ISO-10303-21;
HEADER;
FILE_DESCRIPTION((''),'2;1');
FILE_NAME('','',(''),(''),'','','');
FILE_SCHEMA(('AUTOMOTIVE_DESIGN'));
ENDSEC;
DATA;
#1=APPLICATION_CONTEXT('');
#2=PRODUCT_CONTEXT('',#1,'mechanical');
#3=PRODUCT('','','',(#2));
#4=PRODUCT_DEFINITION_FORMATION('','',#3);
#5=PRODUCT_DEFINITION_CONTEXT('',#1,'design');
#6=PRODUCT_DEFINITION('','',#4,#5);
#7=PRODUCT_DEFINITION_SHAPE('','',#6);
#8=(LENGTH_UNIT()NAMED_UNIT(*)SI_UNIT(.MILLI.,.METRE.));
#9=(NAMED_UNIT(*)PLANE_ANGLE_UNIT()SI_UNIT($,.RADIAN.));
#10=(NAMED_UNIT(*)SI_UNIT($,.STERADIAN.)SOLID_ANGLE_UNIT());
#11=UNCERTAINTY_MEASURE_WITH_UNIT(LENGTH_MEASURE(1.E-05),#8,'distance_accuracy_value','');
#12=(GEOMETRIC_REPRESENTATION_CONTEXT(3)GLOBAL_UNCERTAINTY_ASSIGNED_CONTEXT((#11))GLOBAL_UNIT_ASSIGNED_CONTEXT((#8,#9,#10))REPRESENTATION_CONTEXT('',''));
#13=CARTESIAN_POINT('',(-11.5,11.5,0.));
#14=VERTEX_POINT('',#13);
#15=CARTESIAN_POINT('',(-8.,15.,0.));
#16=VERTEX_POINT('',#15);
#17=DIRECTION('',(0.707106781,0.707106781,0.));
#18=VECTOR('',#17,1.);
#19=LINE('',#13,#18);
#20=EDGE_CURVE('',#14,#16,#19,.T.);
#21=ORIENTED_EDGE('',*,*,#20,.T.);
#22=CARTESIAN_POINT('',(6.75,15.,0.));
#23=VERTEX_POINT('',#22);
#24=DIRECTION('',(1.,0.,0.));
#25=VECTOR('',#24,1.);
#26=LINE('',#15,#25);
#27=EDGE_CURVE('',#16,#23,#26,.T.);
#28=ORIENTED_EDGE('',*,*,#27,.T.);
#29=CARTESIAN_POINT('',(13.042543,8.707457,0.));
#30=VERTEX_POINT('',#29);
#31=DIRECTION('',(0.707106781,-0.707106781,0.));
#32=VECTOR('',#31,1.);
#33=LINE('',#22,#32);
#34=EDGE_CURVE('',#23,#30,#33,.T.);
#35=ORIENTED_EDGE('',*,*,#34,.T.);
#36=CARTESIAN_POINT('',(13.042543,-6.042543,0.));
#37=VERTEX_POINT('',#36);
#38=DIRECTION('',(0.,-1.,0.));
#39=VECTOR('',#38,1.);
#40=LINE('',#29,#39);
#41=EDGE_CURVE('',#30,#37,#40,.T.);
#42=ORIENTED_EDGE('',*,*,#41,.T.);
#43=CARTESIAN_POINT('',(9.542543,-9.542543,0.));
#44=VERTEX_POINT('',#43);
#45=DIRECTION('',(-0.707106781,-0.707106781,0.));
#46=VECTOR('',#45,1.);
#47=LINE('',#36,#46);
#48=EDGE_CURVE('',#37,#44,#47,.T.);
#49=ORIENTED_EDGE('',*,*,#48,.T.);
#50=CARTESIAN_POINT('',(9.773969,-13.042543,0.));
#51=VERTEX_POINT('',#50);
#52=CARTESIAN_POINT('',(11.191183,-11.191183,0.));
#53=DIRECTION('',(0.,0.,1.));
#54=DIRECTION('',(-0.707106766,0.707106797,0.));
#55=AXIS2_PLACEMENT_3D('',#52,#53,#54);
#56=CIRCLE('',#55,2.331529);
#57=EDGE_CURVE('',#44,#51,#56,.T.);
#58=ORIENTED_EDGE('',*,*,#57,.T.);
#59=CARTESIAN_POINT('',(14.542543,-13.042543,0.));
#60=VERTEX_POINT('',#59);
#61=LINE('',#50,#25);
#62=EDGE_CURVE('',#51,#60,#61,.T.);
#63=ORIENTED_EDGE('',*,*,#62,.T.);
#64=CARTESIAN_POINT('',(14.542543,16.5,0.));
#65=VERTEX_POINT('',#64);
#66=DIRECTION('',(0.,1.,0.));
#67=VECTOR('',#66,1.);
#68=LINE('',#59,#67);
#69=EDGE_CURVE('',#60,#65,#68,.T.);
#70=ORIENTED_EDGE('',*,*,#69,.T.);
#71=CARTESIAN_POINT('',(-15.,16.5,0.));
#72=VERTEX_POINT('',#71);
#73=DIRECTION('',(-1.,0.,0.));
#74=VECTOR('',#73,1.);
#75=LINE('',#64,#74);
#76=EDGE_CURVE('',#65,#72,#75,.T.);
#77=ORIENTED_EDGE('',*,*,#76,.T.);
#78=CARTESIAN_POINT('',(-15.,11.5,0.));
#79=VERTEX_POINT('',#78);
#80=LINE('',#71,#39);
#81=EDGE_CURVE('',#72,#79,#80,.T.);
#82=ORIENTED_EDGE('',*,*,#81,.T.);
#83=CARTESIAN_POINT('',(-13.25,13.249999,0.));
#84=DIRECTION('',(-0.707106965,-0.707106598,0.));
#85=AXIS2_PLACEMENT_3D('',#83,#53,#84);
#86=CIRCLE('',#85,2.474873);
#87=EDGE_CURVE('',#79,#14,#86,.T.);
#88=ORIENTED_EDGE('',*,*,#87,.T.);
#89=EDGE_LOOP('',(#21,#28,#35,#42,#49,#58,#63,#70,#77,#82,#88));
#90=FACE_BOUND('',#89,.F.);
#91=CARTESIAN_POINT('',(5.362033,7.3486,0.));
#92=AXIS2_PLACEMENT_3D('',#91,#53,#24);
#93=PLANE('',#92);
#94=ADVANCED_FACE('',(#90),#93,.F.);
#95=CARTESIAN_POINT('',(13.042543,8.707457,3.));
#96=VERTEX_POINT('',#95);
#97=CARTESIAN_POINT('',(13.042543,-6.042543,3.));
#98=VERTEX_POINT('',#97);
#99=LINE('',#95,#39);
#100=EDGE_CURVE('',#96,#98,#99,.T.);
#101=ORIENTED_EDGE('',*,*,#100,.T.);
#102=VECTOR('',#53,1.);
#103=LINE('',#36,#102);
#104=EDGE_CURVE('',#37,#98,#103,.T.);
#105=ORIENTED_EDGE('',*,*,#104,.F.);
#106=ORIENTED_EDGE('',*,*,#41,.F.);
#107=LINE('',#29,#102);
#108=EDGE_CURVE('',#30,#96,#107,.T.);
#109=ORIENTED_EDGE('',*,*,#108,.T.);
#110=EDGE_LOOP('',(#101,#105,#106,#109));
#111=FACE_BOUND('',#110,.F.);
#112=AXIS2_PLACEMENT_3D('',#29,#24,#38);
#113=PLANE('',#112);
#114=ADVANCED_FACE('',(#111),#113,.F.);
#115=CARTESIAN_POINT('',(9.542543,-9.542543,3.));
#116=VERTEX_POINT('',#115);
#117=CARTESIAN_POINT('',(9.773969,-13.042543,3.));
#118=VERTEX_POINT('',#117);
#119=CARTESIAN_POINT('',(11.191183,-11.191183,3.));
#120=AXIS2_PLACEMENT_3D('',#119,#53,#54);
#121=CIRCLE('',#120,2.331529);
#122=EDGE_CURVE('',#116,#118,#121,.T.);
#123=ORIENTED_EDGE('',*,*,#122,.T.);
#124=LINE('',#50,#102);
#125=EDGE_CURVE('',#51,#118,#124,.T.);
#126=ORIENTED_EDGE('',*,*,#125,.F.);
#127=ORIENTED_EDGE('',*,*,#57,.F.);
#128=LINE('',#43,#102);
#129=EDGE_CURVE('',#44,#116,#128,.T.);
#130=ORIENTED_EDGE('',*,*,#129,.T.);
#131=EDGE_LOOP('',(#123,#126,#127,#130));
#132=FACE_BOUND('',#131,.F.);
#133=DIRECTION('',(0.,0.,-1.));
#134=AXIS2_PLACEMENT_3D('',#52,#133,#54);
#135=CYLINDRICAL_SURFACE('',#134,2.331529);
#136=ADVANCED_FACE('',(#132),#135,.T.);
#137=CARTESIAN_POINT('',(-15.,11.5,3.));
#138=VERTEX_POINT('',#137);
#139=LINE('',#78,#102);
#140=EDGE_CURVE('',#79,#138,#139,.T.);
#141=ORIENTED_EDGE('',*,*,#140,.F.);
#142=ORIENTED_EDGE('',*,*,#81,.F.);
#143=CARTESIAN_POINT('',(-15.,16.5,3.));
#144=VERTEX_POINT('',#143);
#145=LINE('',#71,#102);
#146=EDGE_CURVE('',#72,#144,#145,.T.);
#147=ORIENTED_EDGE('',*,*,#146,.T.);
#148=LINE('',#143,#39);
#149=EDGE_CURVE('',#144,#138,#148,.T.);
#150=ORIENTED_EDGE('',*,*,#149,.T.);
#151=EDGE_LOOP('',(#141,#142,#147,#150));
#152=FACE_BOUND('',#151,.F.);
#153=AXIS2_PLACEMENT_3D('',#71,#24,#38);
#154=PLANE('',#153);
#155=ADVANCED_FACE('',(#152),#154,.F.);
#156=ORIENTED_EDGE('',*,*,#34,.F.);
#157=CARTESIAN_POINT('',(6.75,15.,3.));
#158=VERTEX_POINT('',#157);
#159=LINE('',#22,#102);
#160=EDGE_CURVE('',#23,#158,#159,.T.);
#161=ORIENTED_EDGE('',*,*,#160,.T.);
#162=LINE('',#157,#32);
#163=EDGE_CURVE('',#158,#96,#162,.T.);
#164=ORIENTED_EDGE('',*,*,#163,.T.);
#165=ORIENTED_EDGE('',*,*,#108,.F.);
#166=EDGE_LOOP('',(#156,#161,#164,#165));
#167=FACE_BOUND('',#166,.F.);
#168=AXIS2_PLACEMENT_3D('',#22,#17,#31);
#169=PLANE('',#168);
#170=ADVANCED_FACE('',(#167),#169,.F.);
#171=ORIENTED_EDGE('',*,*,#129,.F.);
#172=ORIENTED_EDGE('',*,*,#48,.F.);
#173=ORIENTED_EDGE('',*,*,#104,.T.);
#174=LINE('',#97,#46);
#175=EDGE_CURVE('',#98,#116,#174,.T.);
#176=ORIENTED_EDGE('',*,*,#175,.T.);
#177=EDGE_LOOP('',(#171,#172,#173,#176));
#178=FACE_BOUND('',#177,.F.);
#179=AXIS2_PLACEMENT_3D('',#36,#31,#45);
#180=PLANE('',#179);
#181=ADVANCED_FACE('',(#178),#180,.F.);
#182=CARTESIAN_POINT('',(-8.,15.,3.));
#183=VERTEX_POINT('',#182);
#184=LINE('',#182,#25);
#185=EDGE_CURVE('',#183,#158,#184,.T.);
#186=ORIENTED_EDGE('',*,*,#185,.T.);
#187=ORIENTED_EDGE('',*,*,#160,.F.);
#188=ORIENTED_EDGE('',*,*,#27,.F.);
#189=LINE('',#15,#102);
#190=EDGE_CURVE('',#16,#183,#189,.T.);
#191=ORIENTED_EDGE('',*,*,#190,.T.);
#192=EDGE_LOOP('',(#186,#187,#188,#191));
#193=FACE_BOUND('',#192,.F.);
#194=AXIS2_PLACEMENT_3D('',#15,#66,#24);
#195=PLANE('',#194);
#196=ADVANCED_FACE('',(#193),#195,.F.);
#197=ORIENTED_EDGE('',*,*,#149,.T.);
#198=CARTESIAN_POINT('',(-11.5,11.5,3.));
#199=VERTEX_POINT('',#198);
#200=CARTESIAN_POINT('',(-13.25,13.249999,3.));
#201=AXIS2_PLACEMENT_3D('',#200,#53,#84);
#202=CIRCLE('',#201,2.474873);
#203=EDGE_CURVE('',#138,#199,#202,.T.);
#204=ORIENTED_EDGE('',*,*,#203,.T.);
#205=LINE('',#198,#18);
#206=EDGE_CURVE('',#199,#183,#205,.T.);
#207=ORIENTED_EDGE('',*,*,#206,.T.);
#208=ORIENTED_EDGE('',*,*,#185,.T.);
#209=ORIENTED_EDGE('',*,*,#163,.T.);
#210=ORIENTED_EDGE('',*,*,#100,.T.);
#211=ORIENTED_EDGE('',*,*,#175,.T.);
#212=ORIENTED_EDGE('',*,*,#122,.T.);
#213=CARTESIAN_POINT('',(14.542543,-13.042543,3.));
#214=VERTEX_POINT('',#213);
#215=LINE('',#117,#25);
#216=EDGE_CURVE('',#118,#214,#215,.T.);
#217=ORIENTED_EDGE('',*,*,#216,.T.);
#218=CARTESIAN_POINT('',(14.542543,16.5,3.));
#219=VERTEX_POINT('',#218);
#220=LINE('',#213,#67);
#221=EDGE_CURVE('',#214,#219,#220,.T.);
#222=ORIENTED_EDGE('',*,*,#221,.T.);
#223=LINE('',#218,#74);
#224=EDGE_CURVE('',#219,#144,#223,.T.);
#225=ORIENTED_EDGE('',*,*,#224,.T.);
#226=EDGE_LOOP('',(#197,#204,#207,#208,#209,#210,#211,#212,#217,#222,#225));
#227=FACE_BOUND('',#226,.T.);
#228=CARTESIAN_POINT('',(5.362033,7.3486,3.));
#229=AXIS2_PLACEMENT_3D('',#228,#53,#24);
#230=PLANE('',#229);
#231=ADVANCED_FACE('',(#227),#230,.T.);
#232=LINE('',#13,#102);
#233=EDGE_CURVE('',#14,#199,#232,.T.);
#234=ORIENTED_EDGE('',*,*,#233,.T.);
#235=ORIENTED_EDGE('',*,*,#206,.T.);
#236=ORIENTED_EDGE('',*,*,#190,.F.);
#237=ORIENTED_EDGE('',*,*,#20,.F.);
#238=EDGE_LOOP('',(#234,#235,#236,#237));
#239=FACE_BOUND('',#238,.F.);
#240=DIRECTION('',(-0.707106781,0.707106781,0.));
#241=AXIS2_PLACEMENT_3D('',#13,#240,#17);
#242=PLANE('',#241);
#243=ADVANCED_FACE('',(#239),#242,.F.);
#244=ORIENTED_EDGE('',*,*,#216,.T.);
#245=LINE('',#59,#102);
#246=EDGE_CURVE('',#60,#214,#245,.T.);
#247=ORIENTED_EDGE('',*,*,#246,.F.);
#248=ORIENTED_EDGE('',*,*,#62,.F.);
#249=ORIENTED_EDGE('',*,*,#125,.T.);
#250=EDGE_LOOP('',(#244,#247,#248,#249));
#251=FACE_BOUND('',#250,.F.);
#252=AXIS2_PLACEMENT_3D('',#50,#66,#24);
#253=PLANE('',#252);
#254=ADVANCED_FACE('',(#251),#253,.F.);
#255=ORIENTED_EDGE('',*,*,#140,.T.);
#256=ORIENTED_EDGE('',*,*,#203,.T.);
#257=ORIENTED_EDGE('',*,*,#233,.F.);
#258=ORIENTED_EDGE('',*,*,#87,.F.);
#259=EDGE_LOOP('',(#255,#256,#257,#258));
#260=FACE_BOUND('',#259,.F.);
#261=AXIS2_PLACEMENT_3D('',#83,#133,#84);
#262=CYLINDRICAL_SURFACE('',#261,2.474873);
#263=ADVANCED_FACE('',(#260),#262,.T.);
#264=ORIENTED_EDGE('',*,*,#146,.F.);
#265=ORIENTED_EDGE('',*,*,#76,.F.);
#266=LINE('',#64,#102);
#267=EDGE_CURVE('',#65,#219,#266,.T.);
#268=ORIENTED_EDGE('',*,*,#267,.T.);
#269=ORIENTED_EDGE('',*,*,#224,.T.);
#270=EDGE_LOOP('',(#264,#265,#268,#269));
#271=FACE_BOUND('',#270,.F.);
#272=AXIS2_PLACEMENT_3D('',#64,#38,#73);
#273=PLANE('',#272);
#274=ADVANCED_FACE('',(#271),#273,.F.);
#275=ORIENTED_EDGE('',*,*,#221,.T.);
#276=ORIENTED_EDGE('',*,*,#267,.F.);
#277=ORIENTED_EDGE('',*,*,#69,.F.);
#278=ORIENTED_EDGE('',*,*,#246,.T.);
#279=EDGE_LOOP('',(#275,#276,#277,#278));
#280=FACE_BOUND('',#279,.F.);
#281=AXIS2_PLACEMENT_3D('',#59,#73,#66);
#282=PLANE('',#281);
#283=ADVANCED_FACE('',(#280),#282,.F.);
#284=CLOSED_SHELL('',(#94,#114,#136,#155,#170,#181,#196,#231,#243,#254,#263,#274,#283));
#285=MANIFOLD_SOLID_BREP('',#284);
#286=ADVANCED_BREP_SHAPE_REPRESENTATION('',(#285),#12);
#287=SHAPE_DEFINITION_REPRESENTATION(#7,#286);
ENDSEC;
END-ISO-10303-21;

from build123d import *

# Parameters (mm, degrees)
F1_DEPTH = 3


with BuildPart() as f1:
    # F0 (on Top) → F1 (new body)
    with BuildSketch(Plane.XY):
        with BuildLine():
            Line((-8, 15), (-0.625, 15))
            Line((-0.625, 15), (6.75, 15))
            Line((6.75, 15), (13.042543, 8.707457))
            Line((13.042543, 8.707457), (13.042543, 1.332457))
            Line((13.042543, 1.332457), (13.042543, -6.042543))
            Line((13.042543, -6.042543), (9.542543, -9.542543))
            ThreePointArc((9.542543, -9.542543), (8.864734, -11.345012), (9.773969, -13.042543))
            Line((9.773969, -13.042543), (14.542543, -13.042543))
            Line((14.542543, -13.042543), (14.542543, 16.5))
            Line((14.542543, 16.5), (-15, 16.5))
            Line((-15, 16.5), (-15, 11.5))
            ThreePointArc((-15, 11.5), (-13.25, 10.775126), (-11.5, 11.5))
            Line((-11.5, 11.5), (-8, 15))
        make_face()
    extrude(amount=F1_DEPTH)


solid = f1.part
